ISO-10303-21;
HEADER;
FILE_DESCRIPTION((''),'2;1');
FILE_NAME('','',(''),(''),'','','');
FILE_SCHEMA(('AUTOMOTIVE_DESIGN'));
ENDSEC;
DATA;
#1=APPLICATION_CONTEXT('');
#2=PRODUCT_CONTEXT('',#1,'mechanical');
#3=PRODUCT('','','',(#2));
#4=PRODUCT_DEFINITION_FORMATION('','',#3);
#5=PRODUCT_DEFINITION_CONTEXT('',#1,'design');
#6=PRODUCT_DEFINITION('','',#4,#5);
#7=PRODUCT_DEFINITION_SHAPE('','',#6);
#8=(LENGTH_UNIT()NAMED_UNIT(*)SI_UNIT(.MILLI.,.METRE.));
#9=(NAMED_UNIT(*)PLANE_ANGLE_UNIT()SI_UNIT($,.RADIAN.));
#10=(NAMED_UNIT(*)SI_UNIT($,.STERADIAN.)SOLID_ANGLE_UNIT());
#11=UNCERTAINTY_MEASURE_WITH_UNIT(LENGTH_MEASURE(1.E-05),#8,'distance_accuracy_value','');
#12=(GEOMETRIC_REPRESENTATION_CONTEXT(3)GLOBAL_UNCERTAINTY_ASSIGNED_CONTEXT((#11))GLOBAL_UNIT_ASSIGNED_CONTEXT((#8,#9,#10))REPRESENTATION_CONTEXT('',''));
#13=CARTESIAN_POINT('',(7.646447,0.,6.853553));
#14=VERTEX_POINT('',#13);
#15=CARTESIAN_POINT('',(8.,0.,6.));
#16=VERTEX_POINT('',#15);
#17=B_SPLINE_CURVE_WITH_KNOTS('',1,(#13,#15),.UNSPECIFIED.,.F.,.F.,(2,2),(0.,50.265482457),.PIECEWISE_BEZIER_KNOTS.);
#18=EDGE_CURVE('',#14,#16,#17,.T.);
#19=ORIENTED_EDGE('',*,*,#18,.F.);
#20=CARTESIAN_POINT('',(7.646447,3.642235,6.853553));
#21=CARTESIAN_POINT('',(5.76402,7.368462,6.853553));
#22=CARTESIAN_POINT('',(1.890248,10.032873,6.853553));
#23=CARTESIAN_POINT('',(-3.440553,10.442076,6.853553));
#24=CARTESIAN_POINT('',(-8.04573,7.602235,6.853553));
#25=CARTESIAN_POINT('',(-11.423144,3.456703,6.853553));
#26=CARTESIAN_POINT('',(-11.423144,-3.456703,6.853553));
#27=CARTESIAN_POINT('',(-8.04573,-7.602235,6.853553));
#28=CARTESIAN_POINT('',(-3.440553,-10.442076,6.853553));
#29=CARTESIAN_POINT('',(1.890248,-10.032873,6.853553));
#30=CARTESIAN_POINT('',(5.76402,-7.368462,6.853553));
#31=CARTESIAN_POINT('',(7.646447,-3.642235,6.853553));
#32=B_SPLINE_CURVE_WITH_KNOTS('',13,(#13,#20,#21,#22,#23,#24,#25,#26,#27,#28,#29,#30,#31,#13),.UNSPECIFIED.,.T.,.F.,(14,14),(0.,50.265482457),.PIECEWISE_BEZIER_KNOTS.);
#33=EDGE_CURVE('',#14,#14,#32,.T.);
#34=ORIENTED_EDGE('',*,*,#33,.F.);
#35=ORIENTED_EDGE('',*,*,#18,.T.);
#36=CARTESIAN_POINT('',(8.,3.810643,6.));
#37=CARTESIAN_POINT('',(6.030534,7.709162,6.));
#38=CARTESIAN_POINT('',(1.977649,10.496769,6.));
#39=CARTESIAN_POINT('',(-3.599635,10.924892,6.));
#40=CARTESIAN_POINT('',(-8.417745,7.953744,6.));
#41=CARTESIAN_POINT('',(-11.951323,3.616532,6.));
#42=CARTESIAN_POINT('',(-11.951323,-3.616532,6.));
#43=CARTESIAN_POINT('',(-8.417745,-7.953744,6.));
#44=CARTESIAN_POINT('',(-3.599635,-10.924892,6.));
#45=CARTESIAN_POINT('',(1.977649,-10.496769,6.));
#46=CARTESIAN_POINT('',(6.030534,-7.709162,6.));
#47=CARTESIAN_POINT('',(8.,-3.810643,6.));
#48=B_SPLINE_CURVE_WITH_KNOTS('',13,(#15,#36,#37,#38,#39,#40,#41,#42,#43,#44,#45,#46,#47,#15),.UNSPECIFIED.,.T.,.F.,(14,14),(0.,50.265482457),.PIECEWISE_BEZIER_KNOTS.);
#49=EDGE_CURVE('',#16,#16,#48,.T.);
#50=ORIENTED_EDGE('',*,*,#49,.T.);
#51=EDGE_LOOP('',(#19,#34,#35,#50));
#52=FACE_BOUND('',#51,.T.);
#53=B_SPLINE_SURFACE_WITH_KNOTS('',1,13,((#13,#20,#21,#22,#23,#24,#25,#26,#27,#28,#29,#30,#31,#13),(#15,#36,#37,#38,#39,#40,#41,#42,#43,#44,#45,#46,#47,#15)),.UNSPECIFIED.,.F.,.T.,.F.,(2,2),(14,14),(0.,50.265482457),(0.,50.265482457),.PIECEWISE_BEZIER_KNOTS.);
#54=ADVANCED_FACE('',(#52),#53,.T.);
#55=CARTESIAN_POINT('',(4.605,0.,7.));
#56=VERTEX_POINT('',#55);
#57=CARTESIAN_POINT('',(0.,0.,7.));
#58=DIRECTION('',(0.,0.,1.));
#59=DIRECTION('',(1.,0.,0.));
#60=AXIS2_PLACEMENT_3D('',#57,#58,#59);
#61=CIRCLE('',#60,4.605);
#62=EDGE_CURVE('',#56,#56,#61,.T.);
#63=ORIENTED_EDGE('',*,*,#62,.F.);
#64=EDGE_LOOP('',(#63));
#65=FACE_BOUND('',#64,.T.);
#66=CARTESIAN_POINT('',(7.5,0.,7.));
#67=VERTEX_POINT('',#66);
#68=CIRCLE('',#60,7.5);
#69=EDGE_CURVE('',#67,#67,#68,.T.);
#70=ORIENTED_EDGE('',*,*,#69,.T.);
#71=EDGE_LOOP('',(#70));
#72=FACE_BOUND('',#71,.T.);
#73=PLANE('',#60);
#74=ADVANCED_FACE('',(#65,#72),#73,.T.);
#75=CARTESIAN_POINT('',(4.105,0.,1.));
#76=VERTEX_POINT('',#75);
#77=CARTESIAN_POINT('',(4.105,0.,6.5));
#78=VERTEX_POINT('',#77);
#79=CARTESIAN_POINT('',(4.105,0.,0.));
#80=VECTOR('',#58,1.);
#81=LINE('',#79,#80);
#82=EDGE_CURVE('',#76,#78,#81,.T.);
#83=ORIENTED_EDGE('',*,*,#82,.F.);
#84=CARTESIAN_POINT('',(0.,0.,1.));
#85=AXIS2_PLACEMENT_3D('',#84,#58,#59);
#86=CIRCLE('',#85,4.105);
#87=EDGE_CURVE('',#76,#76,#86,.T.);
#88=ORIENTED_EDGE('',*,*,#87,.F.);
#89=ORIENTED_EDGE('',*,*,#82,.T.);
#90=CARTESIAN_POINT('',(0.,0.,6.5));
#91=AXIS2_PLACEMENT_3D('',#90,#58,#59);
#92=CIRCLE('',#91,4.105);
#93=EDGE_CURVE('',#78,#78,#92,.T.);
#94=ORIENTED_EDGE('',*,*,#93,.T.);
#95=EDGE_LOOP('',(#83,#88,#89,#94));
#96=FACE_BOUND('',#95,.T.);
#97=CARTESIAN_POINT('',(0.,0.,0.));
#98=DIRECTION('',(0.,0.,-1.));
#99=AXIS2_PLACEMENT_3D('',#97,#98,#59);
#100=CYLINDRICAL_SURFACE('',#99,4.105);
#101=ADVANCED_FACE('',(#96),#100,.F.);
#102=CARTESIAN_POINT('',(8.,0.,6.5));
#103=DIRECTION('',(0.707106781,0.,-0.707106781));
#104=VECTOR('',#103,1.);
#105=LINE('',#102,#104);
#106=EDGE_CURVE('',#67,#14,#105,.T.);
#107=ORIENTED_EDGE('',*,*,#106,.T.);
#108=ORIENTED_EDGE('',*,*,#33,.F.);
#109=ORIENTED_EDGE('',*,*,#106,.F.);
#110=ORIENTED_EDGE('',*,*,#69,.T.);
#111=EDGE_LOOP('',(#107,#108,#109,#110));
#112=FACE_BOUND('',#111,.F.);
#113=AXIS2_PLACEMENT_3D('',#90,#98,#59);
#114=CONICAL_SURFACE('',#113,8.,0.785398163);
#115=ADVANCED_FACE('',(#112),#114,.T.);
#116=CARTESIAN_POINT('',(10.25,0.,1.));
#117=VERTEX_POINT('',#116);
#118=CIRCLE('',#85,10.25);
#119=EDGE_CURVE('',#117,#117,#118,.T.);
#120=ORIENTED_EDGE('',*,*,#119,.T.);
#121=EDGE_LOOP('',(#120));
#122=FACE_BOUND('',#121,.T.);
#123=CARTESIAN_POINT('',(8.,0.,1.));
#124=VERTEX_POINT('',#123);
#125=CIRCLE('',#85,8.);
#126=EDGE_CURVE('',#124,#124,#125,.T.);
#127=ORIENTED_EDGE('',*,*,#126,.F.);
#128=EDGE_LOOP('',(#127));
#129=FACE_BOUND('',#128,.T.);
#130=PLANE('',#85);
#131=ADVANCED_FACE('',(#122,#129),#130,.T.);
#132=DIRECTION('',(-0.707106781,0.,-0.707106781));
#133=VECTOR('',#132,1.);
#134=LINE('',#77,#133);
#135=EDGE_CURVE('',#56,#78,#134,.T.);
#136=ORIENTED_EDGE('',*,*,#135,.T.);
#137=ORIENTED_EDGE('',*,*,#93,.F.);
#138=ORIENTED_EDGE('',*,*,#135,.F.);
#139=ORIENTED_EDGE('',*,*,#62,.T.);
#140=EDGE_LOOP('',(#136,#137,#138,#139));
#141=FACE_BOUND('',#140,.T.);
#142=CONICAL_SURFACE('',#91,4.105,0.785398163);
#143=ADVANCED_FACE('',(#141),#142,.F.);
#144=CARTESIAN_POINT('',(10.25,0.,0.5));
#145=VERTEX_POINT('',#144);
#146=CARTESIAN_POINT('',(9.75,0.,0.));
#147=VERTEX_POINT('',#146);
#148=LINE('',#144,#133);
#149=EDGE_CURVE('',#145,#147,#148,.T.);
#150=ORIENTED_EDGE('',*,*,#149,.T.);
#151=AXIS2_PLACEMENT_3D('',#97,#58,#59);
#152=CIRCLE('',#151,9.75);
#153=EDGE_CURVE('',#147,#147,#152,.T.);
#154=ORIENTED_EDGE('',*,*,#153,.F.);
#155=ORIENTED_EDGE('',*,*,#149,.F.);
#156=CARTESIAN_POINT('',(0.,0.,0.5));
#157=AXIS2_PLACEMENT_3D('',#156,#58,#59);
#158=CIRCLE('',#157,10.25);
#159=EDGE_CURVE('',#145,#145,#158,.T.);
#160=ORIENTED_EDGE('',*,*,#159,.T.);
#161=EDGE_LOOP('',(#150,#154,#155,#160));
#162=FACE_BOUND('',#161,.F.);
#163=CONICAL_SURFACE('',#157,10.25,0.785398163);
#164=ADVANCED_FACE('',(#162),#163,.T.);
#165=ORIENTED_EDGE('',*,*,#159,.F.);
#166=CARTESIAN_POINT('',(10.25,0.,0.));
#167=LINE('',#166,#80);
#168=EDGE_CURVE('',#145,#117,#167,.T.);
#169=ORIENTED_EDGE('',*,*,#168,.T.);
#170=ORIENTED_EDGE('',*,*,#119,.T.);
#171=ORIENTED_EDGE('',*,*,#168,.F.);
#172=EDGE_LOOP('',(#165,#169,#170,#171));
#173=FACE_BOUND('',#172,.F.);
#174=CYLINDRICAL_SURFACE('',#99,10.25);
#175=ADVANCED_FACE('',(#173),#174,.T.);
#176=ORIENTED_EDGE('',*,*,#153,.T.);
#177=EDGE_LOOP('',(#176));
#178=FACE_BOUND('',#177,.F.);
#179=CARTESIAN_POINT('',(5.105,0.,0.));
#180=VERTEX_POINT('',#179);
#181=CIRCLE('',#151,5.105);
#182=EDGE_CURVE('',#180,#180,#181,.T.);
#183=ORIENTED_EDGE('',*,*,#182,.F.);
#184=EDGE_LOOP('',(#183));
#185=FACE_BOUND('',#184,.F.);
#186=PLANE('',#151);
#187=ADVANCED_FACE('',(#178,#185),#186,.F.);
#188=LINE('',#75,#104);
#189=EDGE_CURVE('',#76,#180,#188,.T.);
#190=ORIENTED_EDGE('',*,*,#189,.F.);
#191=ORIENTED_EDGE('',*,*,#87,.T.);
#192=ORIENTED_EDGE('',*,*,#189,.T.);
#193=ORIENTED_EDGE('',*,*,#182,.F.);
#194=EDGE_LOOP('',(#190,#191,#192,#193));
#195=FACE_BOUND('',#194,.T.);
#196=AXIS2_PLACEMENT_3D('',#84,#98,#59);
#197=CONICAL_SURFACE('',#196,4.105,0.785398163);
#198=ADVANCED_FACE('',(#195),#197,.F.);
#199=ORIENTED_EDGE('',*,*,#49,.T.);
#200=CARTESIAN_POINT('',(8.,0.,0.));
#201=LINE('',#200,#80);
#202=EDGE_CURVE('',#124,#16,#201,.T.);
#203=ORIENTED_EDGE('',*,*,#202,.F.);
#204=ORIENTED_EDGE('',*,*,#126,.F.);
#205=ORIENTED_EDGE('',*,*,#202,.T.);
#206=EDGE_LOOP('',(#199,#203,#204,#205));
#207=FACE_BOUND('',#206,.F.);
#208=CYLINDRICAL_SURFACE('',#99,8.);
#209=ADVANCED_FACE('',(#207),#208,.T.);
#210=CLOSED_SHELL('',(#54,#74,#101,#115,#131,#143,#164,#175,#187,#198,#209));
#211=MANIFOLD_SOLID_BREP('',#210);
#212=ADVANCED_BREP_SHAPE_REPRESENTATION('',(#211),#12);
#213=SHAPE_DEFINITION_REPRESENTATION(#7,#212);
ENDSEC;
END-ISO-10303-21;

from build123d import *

# Parameters (mm, degrees)
F0_R     = 10.25
F0_R_2   = 8
F1_DEPTH = 1
F0_R_3   = 4.105
F2_DEPTH = 7
F3_SIZE  = 0.5
F4_SIZE  = 0.5
F5_SIZE  = 0.5
F6_SIZE  = 1


with BuildPart() as f1:
    # F0 (on Top) → F1 (new body)
    with BuildSketch(Plane.XY):
        Circle(F0_R)
        Circle(F0_R_2, mode=Mode.SUBTRACT)
    extrude(amount=F1_DEPTH)

    # F0 (on Top) → F2 (join)
    with BuildSketch(Plane.XY):
        Circle(F0_R_2)
        Circle(F0_R_3, mode=Mode.SUBTRACT)
    extrude(amount=F2_DEPTH)

    # F3
    f3_edges = [f1.edges().sort_by_distance(p)[0] for p in [
        (-10.25, 0, 0),
        (-4.105, 0, 7),
    ]]
    chamfer(f3_edges, length=F3_SIZE)

    # F4
    f4_edges = [f1.edges().sort_by_distance(p)[0] for p in [
        (-8, 0, 7),
    ]]
    chamfer(f4_edges, length=F4_SIZE)

    # F5
    f5_edges = [f1.edges().sort_by_distance(p)[0] for p in [
        (-8, 0, 6.5),
    ]]
    chamfer(f5_edges, length=F5_SIZE)

    # F6
    f6_edges = [f1.edges().sort_by_distance(p)[0] for p in [
        (-4.105, 0, 0),
    ]]
    chamfer(f6_edges, length=F6_SIZE)


solid = f1.part
